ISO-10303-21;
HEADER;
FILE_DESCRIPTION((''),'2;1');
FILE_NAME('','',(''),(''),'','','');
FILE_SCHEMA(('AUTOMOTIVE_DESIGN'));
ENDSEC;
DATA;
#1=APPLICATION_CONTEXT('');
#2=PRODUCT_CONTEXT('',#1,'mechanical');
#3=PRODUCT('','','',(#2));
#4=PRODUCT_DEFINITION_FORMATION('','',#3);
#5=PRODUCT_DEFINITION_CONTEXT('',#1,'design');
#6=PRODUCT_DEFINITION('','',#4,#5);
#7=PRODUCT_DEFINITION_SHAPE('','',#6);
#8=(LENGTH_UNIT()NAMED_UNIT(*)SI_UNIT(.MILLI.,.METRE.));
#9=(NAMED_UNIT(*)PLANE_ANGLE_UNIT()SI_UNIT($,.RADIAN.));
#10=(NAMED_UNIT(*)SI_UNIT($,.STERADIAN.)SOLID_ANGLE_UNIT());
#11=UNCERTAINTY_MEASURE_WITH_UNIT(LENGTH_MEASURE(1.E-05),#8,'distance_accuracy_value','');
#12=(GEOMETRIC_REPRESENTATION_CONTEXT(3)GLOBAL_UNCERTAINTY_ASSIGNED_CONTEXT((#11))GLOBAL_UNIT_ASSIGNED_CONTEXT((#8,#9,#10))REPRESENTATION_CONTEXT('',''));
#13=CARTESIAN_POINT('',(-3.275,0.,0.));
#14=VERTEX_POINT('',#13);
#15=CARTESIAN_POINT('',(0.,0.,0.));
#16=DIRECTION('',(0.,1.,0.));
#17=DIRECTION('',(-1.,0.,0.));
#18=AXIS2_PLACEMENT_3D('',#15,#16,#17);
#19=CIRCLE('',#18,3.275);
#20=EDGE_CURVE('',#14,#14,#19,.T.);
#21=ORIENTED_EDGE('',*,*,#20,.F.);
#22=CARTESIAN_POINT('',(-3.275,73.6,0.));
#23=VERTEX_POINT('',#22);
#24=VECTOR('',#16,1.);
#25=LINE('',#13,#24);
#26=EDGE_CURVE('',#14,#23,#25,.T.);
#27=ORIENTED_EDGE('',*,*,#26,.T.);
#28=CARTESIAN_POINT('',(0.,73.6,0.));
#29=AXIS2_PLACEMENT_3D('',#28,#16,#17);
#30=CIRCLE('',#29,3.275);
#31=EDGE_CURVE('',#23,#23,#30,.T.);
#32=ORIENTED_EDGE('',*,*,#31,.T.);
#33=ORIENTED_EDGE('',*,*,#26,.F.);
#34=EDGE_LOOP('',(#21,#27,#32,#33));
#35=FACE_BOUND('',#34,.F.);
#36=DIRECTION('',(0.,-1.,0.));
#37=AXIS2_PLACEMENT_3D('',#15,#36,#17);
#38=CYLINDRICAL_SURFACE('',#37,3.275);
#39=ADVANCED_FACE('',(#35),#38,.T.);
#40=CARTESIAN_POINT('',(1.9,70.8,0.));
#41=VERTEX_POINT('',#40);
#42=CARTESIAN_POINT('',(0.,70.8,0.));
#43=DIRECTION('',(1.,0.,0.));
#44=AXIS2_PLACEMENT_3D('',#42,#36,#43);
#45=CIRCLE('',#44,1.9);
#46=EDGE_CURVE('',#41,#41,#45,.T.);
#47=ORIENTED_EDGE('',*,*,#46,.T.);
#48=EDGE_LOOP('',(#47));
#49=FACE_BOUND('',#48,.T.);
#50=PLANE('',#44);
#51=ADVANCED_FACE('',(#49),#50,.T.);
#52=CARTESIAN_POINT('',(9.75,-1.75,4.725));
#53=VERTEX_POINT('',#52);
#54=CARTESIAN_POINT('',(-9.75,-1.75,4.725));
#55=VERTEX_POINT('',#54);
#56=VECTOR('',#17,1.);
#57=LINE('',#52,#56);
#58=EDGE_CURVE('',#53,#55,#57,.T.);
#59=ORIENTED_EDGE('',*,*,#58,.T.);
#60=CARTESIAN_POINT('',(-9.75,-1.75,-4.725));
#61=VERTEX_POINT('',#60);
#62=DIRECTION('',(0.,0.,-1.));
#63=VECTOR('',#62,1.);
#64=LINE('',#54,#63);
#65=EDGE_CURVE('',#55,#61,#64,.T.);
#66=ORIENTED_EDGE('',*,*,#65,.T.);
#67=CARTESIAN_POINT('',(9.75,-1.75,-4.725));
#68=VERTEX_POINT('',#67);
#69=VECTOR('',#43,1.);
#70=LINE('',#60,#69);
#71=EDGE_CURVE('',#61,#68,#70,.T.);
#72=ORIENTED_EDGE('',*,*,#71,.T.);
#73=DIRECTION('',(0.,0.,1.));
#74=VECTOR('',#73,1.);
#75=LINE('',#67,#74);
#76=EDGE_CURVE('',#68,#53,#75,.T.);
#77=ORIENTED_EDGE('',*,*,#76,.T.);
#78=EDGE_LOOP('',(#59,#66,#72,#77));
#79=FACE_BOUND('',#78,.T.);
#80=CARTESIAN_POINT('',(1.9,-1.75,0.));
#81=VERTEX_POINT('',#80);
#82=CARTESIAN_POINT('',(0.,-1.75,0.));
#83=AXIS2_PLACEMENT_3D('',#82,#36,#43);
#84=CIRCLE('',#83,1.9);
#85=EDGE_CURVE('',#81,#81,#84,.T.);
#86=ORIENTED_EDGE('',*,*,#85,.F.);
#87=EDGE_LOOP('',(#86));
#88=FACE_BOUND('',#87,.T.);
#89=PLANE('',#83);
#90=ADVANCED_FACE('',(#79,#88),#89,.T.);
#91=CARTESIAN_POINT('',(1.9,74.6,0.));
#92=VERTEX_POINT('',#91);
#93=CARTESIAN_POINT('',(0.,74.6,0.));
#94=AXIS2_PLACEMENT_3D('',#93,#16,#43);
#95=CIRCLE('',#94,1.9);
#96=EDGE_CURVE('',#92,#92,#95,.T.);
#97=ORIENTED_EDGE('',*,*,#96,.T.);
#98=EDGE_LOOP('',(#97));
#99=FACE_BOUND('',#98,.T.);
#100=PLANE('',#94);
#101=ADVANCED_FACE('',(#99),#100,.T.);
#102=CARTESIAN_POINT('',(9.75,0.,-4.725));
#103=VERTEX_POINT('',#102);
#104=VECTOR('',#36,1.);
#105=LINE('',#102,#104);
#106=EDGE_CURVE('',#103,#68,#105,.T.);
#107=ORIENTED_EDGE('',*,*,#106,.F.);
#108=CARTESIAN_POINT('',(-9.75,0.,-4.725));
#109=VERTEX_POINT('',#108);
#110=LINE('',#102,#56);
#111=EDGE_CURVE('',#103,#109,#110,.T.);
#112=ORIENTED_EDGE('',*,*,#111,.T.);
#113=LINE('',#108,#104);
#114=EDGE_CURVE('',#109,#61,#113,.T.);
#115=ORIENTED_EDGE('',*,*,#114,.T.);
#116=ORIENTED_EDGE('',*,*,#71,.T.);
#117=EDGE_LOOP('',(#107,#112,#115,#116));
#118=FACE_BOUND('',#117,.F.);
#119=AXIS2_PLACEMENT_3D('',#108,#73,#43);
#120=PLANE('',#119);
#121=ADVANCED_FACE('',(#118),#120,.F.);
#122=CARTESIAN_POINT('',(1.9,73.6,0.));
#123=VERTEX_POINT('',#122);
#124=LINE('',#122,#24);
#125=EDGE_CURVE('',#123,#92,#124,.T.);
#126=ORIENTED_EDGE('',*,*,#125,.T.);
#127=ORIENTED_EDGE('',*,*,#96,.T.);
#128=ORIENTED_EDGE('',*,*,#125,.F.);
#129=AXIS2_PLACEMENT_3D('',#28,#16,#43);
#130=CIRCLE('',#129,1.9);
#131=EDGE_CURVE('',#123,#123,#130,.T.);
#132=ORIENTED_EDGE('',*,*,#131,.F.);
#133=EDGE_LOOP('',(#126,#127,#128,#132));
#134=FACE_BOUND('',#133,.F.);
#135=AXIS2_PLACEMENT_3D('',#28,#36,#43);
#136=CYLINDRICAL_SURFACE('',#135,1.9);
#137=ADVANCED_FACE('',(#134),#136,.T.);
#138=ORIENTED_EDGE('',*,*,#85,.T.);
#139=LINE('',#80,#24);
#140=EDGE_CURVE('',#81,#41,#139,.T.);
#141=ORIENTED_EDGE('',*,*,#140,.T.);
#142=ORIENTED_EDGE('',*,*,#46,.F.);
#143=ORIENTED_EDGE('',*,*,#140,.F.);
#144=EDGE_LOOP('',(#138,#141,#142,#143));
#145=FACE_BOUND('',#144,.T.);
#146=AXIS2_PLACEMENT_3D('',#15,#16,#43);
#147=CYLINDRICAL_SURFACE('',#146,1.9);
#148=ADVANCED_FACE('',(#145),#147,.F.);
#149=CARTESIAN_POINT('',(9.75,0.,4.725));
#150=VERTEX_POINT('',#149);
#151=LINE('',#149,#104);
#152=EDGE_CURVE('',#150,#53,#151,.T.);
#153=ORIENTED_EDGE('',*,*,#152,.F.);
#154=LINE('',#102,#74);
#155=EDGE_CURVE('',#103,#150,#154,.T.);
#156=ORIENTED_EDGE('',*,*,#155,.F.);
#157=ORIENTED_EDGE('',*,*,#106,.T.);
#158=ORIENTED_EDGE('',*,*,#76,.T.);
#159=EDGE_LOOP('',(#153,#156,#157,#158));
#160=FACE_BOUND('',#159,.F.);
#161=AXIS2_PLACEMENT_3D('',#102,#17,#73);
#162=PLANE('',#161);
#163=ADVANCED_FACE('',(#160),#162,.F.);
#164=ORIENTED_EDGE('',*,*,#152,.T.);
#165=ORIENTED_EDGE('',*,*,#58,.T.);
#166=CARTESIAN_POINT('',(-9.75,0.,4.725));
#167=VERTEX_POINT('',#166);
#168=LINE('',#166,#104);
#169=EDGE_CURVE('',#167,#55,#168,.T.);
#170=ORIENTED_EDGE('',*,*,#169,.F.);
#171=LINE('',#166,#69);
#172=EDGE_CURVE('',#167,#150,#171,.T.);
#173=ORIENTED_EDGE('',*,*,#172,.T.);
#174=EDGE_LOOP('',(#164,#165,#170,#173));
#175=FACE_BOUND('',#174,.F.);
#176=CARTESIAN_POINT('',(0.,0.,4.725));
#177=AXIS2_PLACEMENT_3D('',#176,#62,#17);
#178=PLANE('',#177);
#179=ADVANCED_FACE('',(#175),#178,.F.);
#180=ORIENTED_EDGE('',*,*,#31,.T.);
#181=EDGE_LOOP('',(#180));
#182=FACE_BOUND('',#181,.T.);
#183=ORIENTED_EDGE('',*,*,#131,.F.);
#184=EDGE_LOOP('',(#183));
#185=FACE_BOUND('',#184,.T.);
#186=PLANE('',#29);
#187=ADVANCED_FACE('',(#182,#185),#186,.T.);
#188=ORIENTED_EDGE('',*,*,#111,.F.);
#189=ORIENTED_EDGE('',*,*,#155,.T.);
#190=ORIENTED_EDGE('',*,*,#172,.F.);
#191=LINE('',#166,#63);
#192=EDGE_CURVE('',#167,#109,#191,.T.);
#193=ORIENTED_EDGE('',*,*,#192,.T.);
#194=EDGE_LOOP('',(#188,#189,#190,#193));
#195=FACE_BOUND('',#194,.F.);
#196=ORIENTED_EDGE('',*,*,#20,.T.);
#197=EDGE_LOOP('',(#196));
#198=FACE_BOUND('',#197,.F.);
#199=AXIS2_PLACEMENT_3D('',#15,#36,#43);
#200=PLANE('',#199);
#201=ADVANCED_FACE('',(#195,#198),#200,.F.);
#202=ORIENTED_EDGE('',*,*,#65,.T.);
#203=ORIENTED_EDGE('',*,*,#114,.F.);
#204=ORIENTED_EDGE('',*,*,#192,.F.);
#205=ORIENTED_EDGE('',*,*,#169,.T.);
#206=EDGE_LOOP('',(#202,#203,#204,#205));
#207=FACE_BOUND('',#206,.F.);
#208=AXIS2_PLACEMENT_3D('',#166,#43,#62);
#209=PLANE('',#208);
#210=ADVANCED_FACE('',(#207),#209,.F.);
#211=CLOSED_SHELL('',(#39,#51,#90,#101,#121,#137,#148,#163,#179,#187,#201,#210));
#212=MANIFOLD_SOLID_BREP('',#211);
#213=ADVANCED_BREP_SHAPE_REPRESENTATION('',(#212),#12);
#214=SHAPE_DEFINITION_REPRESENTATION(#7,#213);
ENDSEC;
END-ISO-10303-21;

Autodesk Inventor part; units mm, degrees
ref_plane "YZ Plane" through (0, 0, 0) normal (1, 0, 0) x (0, 1, 0)
ref_plane "XZ Plane" through (0, 0, 0) normal (0, 1, 0) x (-1, 0, 0)
ref_plane "XY Plane" through (0, 0, 0) normal (0, 0, 1) x (1, 0, 0)
sketch "Sketch1" plane through (0, 0, 0) normal (0, 1, 0) x (-1, 0, 0)
  circle A0 centre (0, 0) radius 3.275
  dimension "d0" = 6.55
extrude "Extrusion1" add sketch "Sketch1" along normal blind 73.6
sketch "Sketch2" plane through (0, 0, 0) normal (0, -1, 0) x (1, 0, 0)
  circle A0 centre (0, 0) radius 1.9
  dimension "d3" = 3.8
extrude "Extrusion2" cut sketch "Sketch2" against normal blind 70.8
sketch "Sketch3" plane through (0, 73.6, 0) normal (0, 1, 0) x (1, 0, 0)
  circle A0 centre (0, 0) radius 1.9
extrude "Extrusion3" add sketch "Sketch3" along normal blind 1
sketch "Sketch4" plane through (0, 0, 0) normal (0, -1, 0) x (1, 0, 0)
  line L0 (0, 0) -> (0, 4.725)
  line L1 (0, 4.725) -> (0, -4.725)
  line L2 (0, 4.725) -> (9.75, 4.725)
  line L3 (9.75, 4.725) -> (-9.75, 4.725)
  line L4 (-9.75, 4.725) -> (-9.75, -4.725)
  line L5 (-9.75, -4.725) -> (9.75, -4.725)
  line L6 (9.75, -4.725) -> (9.75, 4.725)
  circle A0 centre (0, 0) radius 1.9 projected
  dimension "d8" = 4.725
  dimension "d9" = 9.45
  dimension "d10" = 9.75
  dimension "d11" = 19.5
extrude "Extrusion4" add sketch "Sketch4" along normal blind 1.75 contours A0 L1 L5 L4 L3 L0 | L0 L2 L6 L5 L1 A0
properties part number "SyringeBody"
